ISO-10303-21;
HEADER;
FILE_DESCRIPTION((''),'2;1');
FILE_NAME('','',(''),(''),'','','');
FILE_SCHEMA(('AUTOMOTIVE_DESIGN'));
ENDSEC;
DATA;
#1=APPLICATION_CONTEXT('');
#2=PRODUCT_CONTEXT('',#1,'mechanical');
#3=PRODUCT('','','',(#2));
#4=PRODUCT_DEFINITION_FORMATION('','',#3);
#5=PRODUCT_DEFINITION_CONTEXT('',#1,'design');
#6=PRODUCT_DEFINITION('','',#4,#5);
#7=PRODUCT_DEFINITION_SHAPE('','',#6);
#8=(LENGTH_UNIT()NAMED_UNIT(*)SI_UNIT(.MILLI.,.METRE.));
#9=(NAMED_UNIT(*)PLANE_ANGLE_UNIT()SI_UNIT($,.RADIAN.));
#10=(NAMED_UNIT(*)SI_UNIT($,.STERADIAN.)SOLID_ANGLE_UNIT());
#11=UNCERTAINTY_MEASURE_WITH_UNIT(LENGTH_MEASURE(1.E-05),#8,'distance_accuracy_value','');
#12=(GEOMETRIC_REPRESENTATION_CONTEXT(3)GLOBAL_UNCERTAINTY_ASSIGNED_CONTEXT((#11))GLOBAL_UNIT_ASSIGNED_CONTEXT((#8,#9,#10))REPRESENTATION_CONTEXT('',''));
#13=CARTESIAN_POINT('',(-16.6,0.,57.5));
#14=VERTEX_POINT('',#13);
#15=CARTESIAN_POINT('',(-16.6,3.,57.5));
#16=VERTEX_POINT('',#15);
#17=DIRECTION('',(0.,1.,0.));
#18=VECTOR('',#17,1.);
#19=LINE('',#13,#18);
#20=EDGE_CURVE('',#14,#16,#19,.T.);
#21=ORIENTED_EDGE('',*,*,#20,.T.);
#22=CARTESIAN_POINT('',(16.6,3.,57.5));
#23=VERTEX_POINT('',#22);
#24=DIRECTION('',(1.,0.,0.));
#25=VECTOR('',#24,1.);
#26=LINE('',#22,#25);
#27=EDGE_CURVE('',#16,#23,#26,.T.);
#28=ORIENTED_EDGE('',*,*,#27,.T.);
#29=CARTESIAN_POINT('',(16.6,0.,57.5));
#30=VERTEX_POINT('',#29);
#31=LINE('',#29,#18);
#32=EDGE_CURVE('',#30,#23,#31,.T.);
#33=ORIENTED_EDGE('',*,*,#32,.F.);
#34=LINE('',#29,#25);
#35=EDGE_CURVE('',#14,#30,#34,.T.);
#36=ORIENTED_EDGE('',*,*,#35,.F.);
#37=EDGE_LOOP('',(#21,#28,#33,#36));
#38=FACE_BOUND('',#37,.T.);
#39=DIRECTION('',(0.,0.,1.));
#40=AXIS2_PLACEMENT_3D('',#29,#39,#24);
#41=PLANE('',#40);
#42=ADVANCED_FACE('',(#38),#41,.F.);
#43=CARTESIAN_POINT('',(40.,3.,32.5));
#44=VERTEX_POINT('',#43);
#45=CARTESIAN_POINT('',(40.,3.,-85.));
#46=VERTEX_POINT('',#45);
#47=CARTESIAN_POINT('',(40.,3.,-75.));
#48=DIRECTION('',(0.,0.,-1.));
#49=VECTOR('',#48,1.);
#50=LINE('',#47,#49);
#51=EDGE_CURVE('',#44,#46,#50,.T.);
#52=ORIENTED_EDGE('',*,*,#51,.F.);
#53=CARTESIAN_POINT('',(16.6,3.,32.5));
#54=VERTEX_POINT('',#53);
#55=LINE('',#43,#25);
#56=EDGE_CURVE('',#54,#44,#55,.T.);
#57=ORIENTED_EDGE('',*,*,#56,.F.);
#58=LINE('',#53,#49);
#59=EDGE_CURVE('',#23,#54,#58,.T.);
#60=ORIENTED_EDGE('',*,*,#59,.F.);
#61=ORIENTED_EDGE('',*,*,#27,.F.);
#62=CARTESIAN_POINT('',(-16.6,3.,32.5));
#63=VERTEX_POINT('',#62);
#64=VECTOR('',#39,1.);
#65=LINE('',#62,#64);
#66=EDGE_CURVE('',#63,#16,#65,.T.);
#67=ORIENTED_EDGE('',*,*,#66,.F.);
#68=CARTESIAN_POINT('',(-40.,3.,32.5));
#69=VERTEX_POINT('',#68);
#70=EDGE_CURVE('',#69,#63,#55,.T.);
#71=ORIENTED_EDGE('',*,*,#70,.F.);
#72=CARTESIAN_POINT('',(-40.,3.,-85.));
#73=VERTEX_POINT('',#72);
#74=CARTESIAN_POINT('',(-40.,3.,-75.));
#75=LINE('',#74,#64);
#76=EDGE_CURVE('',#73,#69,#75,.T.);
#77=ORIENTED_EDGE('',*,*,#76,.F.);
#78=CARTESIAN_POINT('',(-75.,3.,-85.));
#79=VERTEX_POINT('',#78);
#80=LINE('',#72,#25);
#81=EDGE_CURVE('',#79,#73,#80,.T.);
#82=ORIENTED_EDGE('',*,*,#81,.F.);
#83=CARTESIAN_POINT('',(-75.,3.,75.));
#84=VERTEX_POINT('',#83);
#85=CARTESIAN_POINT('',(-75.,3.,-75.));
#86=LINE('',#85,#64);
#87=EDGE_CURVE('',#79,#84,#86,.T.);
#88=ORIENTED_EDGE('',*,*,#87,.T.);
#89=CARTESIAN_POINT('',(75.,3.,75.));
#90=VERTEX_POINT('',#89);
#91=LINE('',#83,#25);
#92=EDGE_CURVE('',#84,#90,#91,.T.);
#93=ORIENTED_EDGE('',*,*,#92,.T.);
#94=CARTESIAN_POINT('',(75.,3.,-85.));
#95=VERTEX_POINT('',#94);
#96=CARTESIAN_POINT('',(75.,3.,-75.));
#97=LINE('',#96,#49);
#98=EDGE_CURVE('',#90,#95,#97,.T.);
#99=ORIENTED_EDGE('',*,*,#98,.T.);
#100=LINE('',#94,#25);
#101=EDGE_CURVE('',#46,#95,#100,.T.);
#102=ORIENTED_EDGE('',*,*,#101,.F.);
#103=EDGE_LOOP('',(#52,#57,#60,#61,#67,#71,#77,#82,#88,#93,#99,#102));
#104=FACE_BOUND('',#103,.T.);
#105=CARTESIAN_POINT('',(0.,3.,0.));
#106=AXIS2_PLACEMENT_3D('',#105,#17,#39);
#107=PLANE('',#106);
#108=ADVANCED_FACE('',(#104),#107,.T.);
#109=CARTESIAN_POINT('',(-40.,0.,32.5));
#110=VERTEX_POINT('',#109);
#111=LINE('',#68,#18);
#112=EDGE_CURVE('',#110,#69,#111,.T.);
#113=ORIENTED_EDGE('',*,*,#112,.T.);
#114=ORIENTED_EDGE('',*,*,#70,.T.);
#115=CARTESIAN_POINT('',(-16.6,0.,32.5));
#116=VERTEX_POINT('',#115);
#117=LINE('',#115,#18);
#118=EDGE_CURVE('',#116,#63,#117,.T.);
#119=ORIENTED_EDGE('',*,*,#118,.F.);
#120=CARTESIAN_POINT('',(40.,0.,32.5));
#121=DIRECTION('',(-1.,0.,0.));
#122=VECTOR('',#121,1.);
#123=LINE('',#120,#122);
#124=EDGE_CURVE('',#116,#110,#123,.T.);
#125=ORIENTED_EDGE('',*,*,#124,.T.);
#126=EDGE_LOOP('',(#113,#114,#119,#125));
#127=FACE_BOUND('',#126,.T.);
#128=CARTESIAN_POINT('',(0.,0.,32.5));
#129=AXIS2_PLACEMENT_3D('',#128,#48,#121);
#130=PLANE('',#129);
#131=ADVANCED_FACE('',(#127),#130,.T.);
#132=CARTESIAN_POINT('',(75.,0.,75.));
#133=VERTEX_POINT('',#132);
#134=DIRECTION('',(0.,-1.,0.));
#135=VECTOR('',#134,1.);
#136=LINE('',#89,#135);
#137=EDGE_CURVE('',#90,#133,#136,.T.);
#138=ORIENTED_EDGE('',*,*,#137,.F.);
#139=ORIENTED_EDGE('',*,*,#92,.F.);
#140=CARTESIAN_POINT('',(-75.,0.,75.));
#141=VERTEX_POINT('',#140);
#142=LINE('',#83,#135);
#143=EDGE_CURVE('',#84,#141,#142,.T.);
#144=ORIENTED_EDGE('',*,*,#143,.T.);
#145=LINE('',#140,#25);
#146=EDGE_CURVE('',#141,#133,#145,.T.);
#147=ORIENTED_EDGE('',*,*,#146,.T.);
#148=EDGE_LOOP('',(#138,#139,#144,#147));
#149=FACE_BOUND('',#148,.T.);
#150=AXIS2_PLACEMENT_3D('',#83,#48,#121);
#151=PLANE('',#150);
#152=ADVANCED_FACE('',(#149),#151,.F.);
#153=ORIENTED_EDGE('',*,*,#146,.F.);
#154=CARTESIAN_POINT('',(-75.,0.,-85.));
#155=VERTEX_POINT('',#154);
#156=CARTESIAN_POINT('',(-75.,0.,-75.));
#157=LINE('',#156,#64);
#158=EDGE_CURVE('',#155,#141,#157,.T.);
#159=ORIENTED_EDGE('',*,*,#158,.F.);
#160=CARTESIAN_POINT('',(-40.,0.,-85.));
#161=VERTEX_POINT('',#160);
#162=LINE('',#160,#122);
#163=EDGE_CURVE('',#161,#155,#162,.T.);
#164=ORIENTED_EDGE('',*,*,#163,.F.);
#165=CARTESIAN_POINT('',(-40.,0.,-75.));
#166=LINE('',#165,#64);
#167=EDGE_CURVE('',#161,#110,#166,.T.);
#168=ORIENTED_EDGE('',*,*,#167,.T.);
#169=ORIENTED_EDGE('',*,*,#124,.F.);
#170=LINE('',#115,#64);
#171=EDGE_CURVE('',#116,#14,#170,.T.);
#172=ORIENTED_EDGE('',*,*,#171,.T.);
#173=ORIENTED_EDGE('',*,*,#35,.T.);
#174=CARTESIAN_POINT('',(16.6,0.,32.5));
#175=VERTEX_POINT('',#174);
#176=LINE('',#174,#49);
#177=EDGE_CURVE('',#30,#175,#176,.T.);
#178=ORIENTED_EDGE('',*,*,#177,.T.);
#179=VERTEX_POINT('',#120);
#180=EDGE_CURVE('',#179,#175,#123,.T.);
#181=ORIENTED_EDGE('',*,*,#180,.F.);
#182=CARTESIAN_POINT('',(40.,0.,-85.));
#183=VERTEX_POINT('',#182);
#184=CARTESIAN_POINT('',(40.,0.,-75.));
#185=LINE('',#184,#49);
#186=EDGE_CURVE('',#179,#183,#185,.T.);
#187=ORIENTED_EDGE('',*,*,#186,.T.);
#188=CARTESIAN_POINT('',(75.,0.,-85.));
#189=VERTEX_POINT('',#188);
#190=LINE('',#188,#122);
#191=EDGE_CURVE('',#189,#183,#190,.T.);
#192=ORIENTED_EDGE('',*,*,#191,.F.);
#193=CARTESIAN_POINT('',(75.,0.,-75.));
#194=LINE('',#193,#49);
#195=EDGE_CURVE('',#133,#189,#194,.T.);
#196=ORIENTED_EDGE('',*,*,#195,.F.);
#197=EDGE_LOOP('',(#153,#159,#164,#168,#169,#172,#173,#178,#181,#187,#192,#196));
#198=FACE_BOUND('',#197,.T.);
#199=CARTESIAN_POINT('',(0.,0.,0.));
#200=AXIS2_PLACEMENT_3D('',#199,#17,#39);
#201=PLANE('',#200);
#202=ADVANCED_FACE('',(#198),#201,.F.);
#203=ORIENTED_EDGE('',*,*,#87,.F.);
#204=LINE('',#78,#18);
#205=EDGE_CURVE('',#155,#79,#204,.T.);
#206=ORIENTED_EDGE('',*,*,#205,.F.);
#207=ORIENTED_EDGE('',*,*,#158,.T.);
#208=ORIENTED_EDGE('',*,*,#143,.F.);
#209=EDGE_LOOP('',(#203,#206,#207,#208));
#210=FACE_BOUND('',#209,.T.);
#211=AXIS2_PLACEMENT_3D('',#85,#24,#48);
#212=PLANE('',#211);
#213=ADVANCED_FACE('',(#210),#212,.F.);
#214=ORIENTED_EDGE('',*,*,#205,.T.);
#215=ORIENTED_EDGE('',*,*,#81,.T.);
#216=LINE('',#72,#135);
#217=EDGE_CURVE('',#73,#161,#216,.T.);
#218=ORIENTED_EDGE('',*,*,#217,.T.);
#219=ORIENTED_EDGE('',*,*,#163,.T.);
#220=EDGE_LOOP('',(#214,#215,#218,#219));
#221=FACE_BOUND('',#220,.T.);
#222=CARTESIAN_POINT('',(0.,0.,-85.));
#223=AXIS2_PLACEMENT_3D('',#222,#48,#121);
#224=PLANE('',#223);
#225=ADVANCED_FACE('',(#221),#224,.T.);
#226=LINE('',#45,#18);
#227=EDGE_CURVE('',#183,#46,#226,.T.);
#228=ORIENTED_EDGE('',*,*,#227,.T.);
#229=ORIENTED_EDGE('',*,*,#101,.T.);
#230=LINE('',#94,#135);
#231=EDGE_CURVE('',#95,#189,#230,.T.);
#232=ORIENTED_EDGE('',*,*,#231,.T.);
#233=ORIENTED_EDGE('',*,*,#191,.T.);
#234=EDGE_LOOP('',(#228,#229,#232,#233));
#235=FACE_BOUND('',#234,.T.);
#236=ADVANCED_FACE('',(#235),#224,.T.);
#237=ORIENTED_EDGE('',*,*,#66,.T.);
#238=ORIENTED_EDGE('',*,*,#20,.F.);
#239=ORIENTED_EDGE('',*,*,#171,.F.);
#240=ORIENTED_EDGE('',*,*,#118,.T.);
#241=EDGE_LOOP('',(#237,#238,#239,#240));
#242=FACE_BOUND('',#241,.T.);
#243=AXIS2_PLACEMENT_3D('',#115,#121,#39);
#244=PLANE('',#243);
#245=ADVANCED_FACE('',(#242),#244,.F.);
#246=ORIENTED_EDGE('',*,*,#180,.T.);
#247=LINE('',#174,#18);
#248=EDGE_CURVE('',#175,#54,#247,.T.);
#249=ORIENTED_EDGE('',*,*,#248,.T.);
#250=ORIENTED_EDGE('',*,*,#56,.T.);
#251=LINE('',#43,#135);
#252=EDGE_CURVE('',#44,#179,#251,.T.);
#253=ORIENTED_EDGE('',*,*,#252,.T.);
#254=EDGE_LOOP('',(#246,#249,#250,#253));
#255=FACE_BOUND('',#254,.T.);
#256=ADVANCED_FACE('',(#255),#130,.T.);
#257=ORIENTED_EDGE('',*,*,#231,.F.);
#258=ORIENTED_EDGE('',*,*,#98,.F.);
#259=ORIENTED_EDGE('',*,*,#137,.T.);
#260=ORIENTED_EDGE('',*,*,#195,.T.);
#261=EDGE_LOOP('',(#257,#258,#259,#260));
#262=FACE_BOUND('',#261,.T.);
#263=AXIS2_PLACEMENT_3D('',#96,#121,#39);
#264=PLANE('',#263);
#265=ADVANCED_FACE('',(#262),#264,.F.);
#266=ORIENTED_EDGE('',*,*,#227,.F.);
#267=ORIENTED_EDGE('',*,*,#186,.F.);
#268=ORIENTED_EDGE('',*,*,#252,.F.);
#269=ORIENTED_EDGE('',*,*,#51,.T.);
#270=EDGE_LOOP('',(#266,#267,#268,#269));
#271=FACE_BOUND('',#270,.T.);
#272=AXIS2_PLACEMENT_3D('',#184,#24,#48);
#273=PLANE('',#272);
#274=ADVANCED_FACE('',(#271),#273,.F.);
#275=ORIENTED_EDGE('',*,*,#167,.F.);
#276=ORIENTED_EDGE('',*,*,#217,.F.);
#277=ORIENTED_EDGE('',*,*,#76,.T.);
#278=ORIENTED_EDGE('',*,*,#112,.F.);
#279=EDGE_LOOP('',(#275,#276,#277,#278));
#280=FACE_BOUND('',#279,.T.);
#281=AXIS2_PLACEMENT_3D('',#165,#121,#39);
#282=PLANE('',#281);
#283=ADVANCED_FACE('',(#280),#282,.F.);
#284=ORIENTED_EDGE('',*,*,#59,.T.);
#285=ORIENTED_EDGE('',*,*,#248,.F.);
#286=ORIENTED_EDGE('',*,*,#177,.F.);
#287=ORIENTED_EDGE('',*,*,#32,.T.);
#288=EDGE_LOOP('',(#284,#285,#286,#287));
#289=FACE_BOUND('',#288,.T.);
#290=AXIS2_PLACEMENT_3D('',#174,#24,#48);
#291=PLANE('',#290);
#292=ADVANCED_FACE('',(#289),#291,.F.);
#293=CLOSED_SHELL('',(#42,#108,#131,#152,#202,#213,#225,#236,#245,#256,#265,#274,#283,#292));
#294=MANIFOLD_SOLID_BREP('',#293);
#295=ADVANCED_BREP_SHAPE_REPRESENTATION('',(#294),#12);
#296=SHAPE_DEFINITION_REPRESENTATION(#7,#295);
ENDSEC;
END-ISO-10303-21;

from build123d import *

# Parameters (mm, degrees)
SKETCH3_W           = 150
SKETCH3_H           = 150
BOSS_EXTRUDE1_DEPTH = 3
SKETCH4_W           = 80
SKETCH4_H           = 80
CUT_EXTRUDE1_DEPTH  = 3
SKETCH5_W           = 35
SKETCH5_H           = 3
BOSS_EXTRUDE2_DEPTH = 10
SKETCH7_W           = 80
SKETCH7_H           = 3
CUT_EXTRUDE2_DEPTH  = 27.5
SKETCH8_W           = 33.2
SKETCH8_H           = 25
CUT_EXTRUDE3_DEPTH  = 3


with BuildPart() as part:
    # Sketch3 → Boss-Extrude1 (new body)
    with BuildSketch(Plane(origin=(0, 0, 0), x_dir=(1, 0, 0), z_dir=(0, 1, 0))):
        Rectangle(SKETCH3_W, SKETCH3_H)
    extrude(amount=BOSS_EXTRUDE1_DEPTH)

    # Sketch4 → Cut-Extrude1 (cut)
    with BuildSketch(Plane(origin=(0, 3, 0), x_dir=(1, 0, 0), z_dir=(0, 1, 0))):
        with Locations((0, 35)):
            Rectangle(SKETCH4_W, SKETCH4_H)
    extrude(amount=-CUT_EXTRUDE1_DEPTH, mode=Mode.SUBTRACT)

    # Sketch5 → Boss-Extrude2 (add)
    with BuildSketch(Plane(origin=(0, 0, -75), x_dir=(-1, 0, 0), z_dir=(0, 0, -1))):
        with Locations((-57.5, 1.5)):
            Rectangle(SKETCH5_W, SKETCH5_H)
        with Locations((57.5, 1.5)):
            Rectangle(SKETCH5_W, SKETCH5_H)
    extrude(amount=BOSS_EXTRUDE2_DEPTH)

    # Sketch7 → Cut-Extrude2 (cut)
    with BuildSketch(Plane(origin=(0, 0, 5), x_dir=(-1, 0, 0), z_dir=(0, 0, -1))):
        with Locations((0, 1.5)):
            Rectangle(SKETCH7_W, SKETCH7_H)
    extrude(amount=-CUT_EXTRUDE2_DEPTH, mode=Mode.SUBTRACT)

    # Sketch8 → Cut-Extrude3 (cut)
    with BuildSketch(Plane(origin=(0, 3, 0), x_dir=(1, 0, 0), z_dir=(0, 1, 0))):
        with Locations((0, -45)):
            Rectangle(SKETCH8_W, SKETCH8_H)
    extrude(amount=-CUT_EXTRUDE3_DEPTH, mode=Mode.SUBTRACT)


solid = part.part
